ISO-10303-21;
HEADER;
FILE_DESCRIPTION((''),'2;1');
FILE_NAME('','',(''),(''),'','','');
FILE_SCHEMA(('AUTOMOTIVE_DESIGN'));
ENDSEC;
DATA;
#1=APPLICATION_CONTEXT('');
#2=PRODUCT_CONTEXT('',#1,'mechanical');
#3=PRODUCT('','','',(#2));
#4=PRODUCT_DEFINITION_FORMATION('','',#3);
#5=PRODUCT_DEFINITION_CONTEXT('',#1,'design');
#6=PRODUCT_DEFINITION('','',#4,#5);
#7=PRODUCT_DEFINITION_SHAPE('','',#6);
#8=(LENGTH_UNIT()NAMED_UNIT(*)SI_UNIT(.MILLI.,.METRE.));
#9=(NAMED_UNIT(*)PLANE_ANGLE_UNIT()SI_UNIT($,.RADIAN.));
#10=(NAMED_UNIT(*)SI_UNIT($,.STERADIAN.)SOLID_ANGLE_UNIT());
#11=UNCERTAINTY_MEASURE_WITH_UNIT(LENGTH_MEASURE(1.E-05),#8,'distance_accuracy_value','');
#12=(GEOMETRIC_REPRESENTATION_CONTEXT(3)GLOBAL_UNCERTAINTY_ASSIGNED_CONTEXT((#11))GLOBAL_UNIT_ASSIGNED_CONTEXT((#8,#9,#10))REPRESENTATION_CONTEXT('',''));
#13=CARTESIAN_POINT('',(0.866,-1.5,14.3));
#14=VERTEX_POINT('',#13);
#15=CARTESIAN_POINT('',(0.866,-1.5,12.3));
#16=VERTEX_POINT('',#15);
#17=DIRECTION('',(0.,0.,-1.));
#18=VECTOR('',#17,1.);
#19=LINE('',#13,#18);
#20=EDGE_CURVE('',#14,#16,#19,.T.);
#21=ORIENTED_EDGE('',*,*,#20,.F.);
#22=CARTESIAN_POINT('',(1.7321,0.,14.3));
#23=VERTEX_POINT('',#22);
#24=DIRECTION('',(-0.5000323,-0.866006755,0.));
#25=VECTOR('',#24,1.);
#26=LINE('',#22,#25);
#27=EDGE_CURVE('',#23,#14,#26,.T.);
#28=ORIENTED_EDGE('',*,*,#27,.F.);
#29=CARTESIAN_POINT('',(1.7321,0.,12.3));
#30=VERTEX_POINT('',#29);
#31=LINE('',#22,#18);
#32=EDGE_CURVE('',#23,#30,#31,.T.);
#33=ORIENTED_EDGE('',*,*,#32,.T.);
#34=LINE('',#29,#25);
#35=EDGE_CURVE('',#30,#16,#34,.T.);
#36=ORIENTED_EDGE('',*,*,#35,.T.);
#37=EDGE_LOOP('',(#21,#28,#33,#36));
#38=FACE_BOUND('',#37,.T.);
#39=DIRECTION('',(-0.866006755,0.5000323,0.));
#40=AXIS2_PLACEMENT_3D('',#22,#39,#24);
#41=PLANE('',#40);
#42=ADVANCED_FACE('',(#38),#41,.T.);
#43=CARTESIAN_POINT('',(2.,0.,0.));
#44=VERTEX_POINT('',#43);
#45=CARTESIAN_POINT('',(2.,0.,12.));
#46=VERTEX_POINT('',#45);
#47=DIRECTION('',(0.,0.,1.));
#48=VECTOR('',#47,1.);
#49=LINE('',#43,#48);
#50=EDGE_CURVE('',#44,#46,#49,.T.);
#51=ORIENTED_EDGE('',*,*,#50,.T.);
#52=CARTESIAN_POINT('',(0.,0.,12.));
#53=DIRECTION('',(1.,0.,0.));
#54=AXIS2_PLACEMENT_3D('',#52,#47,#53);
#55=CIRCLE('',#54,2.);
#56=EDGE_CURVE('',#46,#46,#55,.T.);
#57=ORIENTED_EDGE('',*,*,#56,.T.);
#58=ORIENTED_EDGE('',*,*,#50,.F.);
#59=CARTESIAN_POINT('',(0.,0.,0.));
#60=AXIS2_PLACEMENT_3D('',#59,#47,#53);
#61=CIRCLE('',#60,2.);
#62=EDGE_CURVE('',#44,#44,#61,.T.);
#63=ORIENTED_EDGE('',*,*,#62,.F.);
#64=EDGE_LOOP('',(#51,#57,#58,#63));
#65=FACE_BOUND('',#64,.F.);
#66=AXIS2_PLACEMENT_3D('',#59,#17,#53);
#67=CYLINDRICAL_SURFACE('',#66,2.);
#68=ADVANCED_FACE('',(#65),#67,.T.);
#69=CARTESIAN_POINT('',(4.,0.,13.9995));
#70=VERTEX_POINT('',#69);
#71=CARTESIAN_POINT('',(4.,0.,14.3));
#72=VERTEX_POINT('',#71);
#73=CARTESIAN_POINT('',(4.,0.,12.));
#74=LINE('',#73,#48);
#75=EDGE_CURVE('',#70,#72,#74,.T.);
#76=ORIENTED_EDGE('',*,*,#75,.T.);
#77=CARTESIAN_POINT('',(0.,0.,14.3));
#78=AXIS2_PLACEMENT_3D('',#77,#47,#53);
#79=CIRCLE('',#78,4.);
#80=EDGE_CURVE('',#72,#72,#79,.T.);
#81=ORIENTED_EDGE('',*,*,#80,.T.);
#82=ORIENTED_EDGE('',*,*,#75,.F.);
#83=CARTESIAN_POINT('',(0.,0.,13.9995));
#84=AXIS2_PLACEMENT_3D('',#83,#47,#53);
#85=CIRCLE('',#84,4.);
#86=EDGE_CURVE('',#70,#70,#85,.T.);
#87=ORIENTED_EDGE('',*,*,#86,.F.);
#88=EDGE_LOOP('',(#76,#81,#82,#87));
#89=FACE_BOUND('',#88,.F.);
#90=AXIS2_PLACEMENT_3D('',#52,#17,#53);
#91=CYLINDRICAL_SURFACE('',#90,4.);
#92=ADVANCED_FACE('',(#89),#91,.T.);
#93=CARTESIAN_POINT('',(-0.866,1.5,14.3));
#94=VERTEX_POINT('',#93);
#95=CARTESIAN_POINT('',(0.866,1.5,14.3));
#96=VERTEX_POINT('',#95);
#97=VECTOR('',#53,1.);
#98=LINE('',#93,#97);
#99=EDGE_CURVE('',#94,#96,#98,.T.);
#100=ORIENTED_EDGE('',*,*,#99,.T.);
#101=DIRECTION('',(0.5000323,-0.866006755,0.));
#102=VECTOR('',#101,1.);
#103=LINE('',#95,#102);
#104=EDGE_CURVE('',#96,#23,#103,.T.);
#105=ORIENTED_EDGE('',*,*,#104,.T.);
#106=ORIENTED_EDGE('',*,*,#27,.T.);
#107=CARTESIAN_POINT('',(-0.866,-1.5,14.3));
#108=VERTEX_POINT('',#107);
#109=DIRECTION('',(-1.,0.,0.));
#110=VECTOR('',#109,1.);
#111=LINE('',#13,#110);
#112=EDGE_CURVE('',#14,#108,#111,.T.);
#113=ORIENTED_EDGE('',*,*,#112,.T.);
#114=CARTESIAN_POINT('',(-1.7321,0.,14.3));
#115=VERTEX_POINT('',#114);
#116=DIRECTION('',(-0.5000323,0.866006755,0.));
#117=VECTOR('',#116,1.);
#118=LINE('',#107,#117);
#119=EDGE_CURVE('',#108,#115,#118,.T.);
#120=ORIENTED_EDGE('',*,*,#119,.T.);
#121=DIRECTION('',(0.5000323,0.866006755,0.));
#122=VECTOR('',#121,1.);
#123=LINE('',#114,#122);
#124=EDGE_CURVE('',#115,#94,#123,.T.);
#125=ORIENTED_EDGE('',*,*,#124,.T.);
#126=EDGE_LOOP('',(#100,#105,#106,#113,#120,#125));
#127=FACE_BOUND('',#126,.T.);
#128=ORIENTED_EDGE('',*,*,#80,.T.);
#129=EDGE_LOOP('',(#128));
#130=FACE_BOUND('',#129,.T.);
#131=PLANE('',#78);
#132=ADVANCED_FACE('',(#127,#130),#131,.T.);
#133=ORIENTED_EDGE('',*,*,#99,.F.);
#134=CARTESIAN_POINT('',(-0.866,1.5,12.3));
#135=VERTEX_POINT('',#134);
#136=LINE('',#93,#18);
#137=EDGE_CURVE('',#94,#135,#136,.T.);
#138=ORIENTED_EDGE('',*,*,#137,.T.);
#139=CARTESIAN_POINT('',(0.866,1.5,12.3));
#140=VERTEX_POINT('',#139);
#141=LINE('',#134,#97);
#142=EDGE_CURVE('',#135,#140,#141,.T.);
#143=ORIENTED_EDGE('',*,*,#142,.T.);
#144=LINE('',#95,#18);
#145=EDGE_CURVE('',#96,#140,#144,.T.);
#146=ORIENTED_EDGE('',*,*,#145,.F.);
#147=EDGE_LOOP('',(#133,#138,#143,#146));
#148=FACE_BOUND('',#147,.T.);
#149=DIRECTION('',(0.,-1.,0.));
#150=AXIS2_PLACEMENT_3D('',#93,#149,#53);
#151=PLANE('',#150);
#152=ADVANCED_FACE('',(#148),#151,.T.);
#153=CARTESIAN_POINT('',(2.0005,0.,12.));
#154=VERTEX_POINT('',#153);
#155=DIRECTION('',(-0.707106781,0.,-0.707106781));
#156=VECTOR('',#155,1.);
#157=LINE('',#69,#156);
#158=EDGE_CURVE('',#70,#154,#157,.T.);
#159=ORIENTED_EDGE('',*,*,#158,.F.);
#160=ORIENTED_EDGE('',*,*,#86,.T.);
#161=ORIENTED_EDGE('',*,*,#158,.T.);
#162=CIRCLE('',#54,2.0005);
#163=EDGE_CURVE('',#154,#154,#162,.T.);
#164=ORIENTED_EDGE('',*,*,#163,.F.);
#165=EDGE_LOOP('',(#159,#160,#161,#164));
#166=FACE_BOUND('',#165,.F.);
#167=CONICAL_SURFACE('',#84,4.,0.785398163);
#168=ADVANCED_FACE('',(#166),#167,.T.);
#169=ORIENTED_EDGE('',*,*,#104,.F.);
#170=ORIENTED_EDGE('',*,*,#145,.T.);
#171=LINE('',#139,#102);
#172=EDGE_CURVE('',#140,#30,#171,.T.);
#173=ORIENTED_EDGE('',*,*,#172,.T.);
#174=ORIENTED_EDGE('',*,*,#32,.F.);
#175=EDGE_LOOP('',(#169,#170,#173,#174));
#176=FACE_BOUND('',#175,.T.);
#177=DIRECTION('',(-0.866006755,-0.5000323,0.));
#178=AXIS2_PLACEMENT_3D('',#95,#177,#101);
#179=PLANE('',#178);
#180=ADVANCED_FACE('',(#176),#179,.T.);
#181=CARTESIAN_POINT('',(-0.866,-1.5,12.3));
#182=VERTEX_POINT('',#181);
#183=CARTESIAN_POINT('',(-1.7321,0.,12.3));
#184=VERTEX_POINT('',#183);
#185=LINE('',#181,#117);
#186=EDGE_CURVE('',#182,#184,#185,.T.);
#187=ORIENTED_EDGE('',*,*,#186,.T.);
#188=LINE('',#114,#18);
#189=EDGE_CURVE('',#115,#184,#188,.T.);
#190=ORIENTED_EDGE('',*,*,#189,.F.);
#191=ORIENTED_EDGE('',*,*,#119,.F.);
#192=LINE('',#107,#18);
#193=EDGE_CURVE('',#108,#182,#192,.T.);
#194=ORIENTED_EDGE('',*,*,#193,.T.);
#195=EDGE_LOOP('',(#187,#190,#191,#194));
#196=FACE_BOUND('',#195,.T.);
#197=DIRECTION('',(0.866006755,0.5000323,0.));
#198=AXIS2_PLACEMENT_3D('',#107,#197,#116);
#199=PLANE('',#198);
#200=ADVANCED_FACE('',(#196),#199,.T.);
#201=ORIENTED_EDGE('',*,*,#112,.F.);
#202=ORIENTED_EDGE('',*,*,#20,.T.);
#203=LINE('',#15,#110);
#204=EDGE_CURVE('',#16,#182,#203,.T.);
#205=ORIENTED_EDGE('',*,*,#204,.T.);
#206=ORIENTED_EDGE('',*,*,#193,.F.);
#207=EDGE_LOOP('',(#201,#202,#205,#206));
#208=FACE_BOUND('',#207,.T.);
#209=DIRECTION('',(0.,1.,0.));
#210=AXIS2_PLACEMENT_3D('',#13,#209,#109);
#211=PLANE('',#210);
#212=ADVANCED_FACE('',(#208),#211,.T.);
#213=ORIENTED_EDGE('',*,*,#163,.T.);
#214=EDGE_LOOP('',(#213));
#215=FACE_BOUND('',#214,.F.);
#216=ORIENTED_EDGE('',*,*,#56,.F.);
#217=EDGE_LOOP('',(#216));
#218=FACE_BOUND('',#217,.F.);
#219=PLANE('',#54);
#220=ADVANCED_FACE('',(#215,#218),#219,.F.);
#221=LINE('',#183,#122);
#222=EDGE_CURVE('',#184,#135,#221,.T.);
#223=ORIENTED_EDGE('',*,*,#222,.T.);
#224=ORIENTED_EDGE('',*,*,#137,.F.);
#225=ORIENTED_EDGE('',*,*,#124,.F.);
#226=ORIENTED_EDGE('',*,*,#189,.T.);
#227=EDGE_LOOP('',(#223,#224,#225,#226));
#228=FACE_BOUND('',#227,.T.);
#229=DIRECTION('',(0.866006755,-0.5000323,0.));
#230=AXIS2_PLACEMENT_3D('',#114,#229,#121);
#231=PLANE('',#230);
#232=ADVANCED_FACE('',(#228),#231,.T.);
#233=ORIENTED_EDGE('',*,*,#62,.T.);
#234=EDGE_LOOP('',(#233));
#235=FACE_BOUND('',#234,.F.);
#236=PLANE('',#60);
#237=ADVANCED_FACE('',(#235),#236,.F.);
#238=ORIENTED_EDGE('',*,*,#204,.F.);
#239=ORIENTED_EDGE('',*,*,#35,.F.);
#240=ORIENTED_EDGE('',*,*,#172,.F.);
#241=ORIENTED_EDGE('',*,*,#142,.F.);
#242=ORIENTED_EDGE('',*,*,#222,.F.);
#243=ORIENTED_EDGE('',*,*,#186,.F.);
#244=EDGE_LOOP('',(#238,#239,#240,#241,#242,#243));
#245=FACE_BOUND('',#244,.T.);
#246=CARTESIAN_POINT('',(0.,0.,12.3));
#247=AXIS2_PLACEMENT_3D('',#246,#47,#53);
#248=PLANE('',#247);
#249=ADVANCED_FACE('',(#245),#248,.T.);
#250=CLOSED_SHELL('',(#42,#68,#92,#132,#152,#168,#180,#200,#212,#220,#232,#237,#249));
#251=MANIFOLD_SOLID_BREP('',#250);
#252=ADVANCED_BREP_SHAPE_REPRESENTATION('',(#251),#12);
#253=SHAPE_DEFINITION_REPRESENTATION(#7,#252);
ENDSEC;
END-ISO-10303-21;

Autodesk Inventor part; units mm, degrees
ref_plane "YZ Plane" through (0, 0, 0) normal (1, 0, 0) x (0, 1, 0)
ref_plane "XZ Plane" through (0, 0, 0) normal (0, 1, 0) x (-1, 0, 0)
ref_plane "XY Plane" through (0, 0, 0) normal (0, 0, 1) x (1, 0, 0)
sketch "スケッチ1" plane through (0, 0, 0) normal (0, 0, 1) x (1, 0, 0)
  circle A0 centre (0, 0) radius 2
  dimension "d0" = 4
extrude "押し出し1" add sketch "スケッチ1" along normal blind 12
sketch "スケッチ2" plane through (0, 0, 12) normal (0, 0, 1) x (1, 0, 0)
  circle A0 centre (0, 0) radius 4
  dimension "d3" = 8
extrude "押し出し2" add sketch "スケッチ2" along normal blind 2.3
chamfer "面取り1" distance 2 angle 45 1 edges at (-4, 0, 12)
sketch "スケッチ3" plane through (0, 0, 14.3) normal (0, 0, 1) x (1, 0, 0)
  line L0 (1.7321, 0) -> (0.866, -1.5)
  line L1 (0.866, -1.5) -> (-0.866, -1.5)
  line L2 (-0.866, -1.5) -> (-1.7321, 0)
  line L3 (-1.7321, 0) -> (-0.866, 1.5)
  line L4 (-0.866, 1.5) -> (0.866, 1.5)
  line L5 (0.866, 1.5) -> (1.7321, 0)
  point P0 (0, 0)
  point P1 (0, 0)
  dimension "d9" = 3
extrude "押し出し3" cut sketch "スケッチ3" against normal blind 2
thread "ねじ1" size "M4x0.7" class "6g" standard "ANSI Metric M Profile" full length
properties part number "M4皿ネジ　12" material "鉄 灰色"
